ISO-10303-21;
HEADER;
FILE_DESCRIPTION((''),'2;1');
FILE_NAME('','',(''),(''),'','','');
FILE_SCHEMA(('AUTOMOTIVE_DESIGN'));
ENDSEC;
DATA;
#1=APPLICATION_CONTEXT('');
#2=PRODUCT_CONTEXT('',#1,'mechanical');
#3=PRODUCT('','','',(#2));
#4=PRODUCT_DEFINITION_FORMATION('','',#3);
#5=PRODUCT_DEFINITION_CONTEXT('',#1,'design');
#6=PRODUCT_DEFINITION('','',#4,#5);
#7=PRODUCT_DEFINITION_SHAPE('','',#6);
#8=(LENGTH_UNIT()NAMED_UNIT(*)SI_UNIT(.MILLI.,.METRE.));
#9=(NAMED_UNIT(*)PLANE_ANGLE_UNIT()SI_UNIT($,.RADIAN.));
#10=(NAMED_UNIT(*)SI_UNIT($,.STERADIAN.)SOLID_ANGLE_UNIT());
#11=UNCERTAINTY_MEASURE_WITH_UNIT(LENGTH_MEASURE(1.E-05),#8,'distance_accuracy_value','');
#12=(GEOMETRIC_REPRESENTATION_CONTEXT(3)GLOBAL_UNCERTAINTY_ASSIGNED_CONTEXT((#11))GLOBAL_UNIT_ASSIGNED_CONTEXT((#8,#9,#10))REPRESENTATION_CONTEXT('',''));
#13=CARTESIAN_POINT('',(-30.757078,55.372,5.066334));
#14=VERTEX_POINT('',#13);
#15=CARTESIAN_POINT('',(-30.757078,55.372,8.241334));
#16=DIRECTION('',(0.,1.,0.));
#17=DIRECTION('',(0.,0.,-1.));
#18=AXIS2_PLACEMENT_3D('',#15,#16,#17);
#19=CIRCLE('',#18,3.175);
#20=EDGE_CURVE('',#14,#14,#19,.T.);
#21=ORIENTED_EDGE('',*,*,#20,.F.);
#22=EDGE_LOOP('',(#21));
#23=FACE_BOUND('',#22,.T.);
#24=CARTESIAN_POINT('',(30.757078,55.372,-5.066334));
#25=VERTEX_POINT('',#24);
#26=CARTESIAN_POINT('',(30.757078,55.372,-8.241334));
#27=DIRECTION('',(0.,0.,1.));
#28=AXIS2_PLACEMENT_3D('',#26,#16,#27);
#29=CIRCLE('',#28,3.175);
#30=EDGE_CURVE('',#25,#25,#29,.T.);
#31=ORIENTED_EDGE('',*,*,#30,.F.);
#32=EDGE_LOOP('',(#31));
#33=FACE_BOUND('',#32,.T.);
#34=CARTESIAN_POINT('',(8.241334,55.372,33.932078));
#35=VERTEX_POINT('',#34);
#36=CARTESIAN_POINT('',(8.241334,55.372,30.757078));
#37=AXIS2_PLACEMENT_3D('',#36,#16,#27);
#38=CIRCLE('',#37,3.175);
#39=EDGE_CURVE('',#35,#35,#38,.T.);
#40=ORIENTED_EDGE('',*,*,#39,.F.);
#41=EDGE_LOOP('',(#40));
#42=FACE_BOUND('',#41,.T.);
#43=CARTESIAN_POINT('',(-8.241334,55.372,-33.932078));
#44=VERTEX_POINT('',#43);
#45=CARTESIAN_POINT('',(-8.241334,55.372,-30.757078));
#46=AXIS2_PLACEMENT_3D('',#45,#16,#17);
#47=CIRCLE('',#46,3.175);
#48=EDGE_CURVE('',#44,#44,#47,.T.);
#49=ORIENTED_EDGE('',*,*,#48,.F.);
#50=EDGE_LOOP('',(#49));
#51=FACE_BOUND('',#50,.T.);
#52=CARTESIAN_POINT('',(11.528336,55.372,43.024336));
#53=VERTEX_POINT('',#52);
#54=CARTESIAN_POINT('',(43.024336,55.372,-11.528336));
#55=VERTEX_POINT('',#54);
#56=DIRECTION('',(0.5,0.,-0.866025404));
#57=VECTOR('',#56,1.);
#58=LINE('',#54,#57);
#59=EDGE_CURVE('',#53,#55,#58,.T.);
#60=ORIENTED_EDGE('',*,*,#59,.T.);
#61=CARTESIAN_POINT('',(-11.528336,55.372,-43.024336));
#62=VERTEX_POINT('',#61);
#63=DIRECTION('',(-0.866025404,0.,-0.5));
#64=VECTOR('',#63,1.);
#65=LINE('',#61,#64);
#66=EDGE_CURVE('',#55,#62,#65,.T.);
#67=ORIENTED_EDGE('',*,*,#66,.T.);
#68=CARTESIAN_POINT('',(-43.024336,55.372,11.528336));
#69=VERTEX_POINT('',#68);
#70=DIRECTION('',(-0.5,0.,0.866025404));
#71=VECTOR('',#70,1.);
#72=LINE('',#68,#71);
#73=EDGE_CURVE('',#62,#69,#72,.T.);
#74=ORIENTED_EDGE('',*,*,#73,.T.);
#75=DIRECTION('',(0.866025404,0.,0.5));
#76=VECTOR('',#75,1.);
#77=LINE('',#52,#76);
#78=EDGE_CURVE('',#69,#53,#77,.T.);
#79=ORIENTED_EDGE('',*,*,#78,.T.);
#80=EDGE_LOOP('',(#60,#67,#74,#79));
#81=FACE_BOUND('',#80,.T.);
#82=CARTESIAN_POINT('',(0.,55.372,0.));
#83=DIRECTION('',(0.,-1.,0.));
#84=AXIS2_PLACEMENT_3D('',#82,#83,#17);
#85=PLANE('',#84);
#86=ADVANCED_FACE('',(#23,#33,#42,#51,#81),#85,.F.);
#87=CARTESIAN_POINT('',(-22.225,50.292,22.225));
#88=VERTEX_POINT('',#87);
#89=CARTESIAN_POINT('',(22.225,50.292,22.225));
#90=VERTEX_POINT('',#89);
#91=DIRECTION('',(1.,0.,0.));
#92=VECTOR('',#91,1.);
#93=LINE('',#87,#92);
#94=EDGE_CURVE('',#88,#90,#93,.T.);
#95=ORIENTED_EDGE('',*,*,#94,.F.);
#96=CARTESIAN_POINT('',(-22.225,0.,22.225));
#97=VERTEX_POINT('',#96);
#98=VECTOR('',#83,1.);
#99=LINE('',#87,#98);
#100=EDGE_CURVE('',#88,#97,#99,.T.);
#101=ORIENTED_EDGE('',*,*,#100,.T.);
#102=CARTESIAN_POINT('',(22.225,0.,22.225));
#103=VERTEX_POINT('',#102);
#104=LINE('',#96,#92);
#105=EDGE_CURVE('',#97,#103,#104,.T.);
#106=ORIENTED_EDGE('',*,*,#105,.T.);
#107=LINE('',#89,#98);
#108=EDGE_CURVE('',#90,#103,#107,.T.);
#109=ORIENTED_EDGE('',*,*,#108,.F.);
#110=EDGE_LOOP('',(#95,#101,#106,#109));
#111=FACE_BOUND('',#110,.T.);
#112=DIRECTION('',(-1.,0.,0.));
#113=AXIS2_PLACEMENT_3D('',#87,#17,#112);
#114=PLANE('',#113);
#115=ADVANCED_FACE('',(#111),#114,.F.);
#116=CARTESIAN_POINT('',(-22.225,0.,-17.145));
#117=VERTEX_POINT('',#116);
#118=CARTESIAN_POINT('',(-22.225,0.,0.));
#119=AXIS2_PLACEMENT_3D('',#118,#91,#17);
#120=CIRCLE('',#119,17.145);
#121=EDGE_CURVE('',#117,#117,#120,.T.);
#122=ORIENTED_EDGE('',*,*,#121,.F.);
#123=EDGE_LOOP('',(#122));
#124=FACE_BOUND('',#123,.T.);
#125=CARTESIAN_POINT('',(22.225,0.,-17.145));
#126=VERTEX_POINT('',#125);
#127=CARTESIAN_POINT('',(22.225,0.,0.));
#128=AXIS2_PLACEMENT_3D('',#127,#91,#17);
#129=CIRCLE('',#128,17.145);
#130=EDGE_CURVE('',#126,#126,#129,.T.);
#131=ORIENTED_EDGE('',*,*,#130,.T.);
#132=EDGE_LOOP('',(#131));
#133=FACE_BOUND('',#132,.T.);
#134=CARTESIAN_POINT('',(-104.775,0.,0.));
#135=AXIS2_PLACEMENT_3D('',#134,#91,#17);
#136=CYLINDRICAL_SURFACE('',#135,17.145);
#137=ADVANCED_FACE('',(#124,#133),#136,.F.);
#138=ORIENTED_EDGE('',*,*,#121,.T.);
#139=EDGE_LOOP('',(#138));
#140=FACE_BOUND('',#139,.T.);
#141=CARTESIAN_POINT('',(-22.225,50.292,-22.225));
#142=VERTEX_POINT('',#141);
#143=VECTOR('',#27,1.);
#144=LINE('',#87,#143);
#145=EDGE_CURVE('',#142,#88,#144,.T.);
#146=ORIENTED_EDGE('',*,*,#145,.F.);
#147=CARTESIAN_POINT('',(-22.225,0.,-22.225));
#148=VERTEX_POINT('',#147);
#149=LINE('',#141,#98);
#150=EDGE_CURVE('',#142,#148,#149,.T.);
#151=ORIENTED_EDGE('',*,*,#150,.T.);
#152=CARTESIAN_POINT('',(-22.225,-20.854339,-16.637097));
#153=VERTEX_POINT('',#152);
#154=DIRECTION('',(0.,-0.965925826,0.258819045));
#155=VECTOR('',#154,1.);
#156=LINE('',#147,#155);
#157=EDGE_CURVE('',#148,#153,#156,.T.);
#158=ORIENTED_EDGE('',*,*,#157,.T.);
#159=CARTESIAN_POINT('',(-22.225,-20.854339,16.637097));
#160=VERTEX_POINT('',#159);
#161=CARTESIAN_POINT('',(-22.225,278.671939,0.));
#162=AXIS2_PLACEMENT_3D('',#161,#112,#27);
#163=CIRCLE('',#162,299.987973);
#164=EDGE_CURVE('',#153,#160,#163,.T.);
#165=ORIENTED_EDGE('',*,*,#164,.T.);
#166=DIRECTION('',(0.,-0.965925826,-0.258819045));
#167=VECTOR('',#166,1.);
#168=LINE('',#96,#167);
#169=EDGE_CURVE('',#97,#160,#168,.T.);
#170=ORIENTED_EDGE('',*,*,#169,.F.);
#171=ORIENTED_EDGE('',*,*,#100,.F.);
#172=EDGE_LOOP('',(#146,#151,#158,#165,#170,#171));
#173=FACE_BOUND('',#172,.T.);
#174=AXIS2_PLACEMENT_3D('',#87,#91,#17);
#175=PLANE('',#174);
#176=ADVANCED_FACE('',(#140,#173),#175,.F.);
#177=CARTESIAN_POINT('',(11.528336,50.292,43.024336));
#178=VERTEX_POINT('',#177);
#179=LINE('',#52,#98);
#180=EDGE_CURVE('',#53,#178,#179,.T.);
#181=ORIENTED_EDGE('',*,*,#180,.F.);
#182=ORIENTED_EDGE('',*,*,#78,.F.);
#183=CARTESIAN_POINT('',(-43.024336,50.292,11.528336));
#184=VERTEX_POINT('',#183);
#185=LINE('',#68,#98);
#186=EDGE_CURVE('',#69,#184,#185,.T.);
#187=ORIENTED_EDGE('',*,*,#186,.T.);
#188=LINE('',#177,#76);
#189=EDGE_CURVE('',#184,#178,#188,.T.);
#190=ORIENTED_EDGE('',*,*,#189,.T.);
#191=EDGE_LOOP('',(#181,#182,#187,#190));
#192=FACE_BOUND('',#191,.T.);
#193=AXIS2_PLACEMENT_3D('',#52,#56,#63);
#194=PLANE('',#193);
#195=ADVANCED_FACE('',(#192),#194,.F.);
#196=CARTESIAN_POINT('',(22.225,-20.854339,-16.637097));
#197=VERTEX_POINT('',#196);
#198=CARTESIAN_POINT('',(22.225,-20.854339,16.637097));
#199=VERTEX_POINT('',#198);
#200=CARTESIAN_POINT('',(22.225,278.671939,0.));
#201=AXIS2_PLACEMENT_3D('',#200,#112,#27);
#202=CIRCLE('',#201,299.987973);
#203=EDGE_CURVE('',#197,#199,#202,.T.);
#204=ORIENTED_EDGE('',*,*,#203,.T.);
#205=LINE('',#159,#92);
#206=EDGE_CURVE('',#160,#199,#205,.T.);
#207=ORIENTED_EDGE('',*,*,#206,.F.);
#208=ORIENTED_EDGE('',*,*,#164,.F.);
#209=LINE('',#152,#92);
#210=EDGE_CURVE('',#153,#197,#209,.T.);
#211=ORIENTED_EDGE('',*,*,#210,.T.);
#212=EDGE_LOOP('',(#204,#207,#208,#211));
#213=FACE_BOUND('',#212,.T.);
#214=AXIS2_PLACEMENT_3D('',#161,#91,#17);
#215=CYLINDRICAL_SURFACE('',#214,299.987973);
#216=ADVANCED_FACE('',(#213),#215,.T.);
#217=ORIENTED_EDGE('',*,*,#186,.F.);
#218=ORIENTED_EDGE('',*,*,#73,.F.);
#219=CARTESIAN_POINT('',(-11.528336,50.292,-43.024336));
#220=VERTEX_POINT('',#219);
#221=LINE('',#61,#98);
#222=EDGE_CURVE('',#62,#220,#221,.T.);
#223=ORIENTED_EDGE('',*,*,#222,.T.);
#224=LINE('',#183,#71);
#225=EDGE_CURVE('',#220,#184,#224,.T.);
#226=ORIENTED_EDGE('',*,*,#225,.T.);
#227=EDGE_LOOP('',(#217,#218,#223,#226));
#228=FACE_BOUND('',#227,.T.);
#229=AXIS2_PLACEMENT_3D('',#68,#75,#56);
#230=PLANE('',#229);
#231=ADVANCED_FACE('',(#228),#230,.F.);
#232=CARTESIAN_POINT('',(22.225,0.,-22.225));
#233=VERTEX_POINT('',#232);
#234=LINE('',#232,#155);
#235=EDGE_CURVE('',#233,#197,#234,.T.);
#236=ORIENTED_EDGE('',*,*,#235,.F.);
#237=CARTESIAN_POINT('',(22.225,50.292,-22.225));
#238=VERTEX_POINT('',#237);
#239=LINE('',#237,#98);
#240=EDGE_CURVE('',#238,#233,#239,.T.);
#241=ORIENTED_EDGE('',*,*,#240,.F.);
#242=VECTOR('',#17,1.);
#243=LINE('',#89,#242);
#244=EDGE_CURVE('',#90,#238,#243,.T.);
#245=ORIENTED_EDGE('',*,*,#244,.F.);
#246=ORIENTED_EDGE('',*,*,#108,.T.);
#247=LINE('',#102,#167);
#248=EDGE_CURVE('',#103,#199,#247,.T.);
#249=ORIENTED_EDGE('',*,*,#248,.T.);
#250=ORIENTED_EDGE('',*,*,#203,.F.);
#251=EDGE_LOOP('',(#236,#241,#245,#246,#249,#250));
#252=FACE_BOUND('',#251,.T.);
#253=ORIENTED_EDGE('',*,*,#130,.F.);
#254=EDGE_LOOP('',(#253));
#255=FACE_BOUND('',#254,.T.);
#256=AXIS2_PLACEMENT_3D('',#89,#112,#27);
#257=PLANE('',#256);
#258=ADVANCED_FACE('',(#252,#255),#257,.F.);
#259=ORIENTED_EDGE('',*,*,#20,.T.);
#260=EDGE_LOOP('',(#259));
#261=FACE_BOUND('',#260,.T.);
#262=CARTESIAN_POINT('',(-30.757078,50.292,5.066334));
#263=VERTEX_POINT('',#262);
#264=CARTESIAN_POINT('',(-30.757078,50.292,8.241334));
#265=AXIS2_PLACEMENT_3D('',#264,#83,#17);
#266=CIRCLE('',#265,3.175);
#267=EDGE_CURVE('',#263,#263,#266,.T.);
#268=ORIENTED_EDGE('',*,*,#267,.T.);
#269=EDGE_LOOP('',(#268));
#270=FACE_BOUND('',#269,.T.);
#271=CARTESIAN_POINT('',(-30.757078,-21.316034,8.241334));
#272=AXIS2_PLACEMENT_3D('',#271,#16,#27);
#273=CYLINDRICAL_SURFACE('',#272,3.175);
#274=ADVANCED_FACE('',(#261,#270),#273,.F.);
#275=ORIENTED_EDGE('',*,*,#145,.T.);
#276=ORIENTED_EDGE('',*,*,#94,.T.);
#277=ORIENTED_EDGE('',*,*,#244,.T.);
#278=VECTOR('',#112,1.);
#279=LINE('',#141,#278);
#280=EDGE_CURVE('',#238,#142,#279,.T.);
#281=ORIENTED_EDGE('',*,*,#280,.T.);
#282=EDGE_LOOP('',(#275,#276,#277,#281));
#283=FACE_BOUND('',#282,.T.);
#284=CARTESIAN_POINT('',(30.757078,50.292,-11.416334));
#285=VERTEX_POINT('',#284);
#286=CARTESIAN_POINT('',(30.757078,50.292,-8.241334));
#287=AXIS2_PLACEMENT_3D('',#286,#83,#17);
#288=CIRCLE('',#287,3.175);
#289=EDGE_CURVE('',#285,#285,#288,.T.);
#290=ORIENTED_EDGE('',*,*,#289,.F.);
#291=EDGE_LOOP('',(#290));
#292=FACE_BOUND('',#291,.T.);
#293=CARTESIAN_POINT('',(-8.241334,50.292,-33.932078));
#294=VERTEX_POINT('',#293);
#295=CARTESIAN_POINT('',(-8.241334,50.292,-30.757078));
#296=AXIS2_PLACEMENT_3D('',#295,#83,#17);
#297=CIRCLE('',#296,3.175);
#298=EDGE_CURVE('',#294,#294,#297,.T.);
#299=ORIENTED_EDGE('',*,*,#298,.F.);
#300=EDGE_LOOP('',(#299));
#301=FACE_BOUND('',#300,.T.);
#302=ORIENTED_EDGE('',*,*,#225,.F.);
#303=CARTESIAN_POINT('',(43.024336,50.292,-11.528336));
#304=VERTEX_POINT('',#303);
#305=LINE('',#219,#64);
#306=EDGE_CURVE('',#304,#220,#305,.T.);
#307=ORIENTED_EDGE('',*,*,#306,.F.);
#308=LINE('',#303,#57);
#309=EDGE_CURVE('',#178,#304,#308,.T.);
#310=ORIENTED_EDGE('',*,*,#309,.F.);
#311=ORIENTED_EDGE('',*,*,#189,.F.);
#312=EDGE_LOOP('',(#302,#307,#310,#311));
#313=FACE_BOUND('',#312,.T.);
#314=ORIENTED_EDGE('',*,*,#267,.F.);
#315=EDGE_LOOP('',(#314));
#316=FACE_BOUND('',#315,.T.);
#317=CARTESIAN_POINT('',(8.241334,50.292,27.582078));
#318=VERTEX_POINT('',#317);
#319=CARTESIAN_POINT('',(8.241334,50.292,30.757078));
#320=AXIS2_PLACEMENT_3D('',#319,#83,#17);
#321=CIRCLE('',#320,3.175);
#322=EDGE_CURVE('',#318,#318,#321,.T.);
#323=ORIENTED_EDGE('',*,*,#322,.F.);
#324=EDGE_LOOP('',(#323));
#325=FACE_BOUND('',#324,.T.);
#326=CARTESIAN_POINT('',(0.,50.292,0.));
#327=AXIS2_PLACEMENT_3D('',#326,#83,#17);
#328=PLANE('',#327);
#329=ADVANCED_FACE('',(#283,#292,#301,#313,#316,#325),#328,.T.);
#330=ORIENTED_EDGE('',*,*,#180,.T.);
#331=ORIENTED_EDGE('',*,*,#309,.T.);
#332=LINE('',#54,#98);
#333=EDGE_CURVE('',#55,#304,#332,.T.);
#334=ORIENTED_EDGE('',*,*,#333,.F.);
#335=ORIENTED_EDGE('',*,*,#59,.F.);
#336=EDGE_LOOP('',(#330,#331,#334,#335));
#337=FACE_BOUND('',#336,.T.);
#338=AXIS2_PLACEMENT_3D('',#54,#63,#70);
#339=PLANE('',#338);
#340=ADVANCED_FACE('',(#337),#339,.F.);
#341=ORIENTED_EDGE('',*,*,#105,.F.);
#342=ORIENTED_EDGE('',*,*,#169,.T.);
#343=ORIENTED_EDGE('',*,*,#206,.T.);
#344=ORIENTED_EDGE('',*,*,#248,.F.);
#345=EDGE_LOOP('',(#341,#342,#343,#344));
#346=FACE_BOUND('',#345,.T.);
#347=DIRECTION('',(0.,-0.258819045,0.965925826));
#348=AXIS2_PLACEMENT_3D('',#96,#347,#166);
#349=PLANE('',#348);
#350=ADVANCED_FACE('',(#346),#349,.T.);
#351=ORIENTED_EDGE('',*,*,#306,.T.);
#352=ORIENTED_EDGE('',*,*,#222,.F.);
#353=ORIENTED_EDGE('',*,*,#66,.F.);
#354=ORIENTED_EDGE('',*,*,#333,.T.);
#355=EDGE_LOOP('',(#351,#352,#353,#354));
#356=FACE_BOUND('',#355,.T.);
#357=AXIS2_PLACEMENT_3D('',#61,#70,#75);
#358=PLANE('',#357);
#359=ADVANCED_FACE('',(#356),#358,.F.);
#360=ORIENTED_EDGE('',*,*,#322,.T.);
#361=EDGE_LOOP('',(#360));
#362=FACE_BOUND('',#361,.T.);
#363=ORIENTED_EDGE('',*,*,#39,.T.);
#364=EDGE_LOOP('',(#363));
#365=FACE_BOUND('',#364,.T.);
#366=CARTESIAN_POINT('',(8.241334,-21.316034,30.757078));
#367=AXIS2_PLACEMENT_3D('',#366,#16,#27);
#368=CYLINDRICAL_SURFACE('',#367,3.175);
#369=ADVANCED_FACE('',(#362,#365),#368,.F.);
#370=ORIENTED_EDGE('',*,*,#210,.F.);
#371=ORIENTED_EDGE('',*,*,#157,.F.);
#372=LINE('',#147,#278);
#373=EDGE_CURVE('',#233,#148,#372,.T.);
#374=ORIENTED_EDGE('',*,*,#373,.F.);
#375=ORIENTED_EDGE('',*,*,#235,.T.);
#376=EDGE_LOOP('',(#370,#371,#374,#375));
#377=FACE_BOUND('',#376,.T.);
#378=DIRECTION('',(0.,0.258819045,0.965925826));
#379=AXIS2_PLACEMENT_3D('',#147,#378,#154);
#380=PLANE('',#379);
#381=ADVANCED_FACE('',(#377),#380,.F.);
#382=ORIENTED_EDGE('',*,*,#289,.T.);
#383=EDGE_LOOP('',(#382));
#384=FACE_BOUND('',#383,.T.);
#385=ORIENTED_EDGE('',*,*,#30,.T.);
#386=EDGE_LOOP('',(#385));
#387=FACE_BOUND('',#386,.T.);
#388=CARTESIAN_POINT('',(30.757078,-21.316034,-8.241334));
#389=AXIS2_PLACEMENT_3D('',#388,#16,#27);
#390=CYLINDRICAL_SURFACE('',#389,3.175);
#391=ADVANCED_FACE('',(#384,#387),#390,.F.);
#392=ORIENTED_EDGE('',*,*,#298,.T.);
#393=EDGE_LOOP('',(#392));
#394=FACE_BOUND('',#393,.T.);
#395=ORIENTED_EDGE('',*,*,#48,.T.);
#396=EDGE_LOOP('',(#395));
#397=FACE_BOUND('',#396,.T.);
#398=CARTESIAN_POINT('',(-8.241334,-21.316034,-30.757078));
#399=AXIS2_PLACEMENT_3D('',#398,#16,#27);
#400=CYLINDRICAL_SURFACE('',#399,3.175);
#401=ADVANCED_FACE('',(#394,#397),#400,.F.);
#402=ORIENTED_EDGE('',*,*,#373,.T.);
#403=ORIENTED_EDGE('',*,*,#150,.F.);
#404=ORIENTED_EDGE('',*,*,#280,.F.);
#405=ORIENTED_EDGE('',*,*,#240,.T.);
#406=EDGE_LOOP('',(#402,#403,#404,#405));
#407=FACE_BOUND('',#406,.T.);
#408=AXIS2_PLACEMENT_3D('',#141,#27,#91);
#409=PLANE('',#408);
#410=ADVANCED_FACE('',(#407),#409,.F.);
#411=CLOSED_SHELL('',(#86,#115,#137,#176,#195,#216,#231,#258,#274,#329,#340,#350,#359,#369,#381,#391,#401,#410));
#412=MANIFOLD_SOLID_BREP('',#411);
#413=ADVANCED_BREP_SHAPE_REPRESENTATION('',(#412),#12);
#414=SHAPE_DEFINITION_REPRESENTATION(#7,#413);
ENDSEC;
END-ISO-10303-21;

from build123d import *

# Parameters (mm, degrees)
SKETCH1_W           = 44.45
SKETCH1_H           = 44.45
BOSS_EXTRUDE1_DEPTH = 50.292
BOSS_EXTRUDE2_DEPTH = 44.45
SKETCH3_R           = 17.145
CUT_EXTRUDE1_DEPTH  = 127
BOSS_EXTRUDE3_DEPTH = 5.08
SKETCH5_R           = 3.175
CUT_EXTRUDE2_DEPTH  = 77.68803402


with BuildPart() as part:
    # Sketch1 → Boss-Extrude1 (new body)
    with BuildSketch(Plane(origin=(0, 0, 0), x_dir=(1, 0, 0), z_dir=(0, 1, 0))):
        Rectangle(SKETCH1_W, SKETCH1_H)
    extrude(amount=BOSS_EXTRUDE1_DEPTH)

    # Sketch2 → Boss-Extrude2 (add)
    with BuildSketch(Plane(origin=(22.225, 0, 0), x_dir=(0, 0, -1), z_dir=(1, 0, 0))):
        with BuildLine():
            Line((-22.225, 0), (-16.637096816, -20.85433859))
            ThreePointArc((-16.637096816, -20.85433859), (0, -21.31603402), (16.637096816, -20.85433859))
            Line((16.637096816, -20.85433859), (22.225, 0))
            Line((22.225, 0), (-22.225, 0))
        make_face()
    extrude(amount=-BOSS_EXTRUDE2_DEPTH)

    # Sketch3 → Cut-Extrude1 (cut)
    with BuildSketch(Plane(origin=(22.225, 0, 0), x_dir=(0, 0, -1), z_dir=(1, 0, 0))):
        Circle(SKETCH3_R)
    extrude(amount=-CUT_EXTRUDE1_DEPTH, mode=Mode.SUBTRACT)

    # Sketch4 → Boss-Extrude3 (add)
    with BuildSketch(Plane(origin=(0, 50.292, 0), x_dir=(1, 0, 0), z_dir=(0, 1, 0))):
        Polygon((43.024336118, 11.528336118), (11.528336118, -43.024336118), (-43.024336118, -11.528336118), (-11.528336118, 43.024336118), align=None)
    extrude(amount=BOSS_EXTRUDE3_DEPTH)

    # Sketch5 → Cut-Extrude2 (cut, through all)
    with BuildSketch(Plane(origin=(0, 55.372, 0), x_dir=(1, 0, 0), z_dir=(0, 1, 0))):
        with Locations((30.757078124, 8.241334245)):
            Circle(SKETCH5_R)
        with Locations((8.241334245, -30.757078124)):
            Circle(SKETCH5_R)
        with Locations((-8.241334245, 30.757078124)):
            Circle(SKETCH5_R)
        with Locations((-30.757078124, -8.241334245)):
            Circle(SKETCH5_R)
    extrude(amount=-CUT_EXTRUDE2_DEPTH, mode=Mode.SUBTRACT)


solid = part.part
